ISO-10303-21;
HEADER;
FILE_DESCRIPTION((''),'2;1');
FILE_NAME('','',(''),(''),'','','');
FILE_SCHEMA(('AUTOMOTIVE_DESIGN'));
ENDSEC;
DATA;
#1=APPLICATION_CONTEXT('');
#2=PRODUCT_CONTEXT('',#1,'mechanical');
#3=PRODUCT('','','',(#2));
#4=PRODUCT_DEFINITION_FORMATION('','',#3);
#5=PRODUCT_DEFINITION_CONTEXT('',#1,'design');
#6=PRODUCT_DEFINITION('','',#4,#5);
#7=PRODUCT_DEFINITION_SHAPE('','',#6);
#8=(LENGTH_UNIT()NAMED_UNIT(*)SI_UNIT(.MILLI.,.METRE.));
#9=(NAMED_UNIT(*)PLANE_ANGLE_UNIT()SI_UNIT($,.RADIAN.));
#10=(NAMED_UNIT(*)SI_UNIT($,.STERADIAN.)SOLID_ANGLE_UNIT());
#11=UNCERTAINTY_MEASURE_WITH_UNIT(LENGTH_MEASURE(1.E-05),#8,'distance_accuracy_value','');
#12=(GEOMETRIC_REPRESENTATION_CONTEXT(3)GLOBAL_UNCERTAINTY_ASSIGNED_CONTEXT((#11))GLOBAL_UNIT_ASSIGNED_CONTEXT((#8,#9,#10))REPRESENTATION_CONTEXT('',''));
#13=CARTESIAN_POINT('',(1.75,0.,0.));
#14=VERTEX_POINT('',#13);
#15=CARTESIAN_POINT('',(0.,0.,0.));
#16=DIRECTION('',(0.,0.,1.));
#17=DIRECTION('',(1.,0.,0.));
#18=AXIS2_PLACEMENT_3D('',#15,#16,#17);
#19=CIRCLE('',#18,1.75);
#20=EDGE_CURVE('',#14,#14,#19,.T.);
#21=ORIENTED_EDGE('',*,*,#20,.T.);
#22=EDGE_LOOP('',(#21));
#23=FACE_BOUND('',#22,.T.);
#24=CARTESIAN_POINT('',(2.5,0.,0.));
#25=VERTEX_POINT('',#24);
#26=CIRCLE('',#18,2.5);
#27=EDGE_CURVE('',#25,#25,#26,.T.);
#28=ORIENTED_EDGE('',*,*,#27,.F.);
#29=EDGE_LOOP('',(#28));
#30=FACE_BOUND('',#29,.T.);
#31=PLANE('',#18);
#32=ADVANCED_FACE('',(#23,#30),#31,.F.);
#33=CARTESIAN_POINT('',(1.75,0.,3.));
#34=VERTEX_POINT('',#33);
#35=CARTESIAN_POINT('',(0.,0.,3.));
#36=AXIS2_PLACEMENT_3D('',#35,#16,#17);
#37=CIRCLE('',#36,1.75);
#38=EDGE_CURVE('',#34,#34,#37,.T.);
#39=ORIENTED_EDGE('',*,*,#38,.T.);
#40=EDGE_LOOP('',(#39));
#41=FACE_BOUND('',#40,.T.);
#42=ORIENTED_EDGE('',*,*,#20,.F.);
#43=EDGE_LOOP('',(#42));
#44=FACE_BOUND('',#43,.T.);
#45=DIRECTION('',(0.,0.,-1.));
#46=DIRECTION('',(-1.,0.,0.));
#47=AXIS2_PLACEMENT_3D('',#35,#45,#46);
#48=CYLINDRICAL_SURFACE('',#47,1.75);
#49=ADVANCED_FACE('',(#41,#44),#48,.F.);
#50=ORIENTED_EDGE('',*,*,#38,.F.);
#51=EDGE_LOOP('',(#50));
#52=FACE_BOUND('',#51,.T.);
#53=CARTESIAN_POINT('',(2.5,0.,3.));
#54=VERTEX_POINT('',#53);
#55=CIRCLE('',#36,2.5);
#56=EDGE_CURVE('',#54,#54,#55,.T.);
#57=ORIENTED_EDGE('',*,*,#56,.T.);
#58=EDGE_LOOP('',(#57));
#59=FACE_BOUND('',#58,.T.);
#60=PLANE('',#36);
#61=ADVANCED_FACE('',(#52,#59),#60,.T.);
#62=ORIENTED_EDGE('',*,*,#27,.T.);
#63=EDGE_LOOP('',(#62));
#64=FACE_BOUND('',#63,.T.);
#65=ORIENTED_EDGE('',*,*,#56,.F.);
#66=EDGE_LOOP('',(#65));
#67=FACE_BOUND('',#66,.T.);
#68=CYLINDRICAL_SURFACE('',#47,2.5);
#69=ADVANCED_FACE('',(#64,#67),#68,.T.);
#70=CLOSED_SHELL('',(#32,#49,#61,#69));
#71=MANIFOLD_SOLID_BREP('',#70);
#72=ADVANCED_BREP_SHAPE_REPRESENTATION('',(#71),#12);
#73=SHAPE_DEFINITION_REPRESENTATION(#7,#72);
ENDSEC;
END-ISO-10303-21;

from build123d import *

# Parameters (mm, degrees)
ESQUISSE1_R        = 2.5
ESQUISSE1_R_2      = 1.75
BOSS_EXTRU_1_DEPTH = 3


with BuildPart() as part:
    # Esquisse1 → Boss.-Extru.1 (new body)
    with BuildSketch(Plane.XY):
        Circle(ESQUISSE1_R)
        Circle(ESQUISSE1_R_2, mode=Mode.SUBTRACT)
    extrude(amount=BOSS_EXTRU_1_DEPTH)


solid = part.part
